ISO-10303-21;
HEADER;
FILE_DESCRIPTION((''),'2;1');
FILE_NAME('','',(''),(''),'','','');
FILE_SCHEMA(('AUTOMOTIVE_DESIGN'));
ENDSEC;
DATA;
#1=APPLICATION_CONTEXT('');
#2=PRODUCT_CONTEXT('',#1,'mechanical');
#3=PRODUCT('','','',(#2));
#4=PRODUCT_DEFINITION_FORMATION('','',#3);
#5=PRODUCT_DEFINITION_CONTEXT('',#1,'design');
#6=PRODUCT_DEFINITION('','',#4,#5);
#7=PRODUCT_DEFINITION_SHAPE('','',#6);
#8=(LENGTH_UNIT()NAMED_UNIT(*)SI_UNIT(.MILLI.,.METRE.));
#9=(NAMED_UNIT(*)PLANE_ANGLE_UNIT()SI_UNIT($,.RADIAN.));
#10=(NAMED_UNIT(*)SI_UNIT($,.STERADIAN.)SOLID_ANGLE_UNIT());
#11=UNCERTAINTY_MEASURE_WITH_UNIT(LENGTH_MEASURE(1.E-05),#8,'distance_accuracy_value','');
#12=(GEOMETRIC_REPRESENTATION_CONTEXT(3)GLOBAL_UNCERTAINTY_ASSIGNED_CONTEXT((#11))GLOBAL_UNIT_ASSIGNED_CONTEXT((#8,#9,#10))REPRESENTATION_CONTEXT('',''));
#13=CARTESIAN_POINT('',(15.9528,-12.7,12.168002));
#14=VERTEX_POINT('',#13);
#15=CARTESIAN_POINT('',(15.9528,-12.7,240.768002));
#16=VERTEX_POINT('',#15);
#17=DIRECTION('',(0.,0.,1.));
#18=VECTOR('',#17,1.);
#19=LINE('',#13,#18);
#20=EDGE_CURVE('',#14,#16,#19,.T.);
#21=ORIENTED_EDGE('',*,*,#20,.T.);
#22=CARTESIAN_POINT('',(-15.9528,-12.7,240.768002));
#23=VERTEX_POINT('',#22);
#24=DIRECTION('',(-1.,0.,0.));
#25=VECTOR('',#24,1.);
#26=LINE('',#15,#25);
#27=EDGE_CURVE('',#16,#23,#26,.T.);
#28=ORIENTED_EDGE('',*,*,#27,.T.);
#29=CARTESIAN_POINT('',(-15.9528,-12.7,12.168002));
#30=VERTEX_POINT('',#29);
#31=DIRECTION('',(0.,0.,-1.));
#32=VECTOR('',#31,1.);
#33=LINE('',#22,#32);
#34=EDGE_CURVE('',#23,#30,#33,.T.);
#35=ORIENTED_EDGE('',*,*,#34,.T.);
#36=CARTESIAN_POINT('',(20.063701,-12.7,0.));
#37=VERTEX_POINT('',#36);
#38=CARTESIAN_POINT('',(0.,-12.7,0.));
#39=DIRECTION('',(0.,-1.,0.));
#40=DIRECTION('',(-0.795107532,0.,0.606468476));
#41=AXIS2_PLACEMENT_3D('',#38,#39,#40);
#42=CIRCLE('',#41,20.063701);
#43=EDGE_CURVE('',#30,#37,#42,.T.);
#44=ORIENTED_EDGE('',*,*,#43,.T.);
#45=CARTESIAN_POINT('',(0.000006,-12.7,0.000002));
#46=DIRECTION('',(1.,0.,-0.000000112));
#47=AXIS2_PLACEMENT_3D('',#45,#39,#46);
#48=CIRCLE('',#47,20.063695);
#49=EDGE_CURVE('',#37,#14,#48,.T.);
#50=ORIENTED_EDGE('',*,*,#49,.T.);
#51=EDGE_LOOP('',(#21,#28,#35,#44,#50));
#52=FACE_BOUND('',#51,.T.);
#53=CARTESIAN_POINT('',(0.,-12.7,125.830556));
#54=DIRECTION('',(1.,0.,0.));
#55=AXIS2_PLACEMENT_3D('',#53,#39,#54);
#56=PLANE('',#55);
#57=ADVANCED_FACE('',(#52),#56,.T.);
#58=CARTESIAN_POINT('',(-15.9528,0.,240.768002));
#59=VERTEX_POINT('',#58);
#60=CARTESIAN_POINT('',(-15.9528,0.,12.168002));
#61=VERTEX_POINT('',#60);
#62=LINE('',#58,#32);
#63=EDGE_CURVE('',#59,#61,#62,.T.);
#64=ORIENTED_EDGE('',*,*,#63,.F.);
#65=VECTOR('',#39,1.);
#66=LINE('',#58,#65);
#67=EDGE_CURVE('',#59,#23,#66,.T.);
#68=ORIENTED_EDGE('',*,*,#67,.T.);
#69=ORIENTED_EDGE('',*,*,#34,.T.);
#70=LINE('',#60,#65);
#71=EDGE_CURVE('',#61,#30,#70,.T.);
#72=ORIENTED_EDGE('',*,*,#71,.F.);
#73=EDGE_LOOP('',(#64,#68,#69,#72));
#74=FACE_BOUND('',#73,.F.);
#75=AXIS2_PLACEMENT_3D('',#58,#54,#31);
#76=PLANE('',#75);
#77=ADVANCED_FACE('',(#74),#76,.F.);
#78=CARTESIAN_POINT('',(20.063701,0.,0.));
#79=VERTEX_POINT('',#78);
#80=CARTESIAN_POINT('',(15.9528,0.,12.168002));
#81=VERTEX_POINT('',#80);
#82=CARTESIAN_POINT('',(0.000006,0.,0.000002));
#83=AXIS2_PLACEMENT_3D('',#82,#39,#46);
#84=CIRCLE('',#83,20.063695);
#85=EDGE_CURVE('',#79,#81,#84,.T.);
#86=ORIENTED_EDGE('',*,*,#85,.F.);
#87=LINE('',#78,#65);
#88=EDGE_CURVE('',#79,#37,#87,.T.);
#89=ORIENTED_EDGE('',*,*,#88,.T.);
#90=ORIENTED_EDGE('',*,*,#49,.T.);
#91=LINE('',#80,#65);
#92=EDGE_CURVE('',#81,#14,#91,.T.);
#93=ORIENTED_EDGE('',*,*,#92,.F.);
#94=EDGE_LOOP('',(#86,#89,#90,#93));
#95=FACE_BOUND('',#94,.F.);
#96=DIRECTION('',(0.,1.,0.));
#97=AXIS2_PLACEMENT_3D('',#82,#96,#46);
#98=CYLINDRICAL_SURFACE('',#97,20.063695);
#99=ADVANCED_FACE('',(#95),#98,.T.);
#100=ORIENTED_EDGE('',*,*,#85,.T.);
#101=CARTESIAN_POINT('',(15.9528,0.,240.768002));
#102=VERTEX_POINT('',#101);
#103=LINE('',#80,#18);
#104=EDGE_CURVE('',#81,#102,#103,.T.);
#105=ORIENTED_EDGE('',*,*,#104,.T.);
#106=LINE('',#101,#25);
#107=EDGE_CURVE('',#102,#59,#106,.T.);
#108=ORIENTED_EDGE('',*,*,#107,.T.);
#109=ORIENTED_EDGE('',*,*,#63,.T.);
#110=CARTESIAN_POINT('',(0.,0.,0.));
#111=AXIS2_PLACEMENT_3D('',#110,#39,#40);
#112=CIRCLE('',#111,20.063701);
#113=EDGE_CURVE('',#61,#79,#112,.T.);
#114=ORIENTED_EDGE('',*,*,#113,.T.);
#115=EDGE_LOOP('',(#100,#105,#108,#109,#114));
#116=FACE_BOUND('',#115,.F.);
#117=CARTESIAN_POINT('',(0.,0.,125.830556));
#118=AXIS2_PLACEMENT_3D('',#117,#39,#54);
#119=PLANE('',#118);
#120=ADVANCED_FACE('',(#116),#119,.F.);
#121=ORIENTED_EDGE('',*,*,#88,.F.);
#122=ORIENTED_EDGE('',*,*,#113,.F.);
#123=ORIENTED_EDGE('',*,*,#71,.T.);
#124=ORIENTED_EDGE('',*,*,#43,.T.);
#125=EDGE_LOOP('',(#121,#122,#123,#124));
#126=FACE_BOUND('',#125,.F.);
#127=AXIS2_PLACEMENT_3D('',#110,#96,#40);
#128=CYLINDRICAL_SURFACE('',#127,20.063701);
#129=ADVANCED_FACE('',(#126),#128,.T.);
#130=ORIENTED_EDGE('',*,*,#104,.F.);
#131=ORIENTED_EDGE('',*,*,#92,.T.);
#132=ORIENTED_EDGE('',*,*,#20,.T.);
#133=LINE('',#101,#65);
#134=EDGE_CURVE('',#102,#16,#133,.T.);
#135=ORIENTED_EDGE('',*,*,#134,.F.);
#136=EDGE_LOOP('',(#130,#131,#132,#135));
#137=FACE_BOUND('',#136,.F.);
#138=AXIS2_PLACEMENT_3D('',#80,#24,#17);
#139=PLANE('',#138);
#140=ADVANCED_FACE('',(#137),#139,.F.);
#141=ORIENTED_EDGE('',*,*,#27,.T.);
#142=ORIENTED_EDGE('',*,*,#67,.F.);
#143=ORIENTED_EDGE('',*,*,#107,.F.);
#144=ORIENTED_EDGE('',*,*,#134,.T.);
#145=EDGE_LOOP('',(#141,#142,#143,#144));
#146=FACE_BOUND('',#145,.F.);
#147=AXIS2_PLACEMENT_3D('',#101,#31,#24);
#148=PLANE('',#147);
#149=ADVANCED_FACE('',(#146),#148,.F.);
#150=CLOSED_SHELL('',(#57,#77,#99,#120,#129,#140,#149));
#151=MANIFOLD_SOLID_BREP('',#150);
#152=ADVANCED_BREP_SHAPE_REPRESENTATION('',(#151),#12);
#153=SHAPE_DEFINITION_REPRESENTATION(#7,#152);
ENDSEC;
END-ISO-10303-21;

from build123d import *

# Parameters (mm, degrees)
F1_DEPTH = 12.7


with BuildPart() as f1:
    # F0 (on Front) → F1 (new body)
    with BuildSketch(Plane.XZ):
        with BuildLine():
            ThreePointArc((-15.9528, 12.168002), (0, 20.063701), (15.9528, 12.168002))
            Line((15.9528, 12.168002), (15.9528, 240.768002))
            Line((15.9528, 240.768002), (-15.9528, 240.768002))
            Line((-15.9528, 240.768002), (-15.9528, 12.168002))
        make_face()
        with BuildLine():
            Line((-15.9528, 12.168002), (15.9528, 12.168002))
            ThreePointArc((15.9528, 12.168002), (0, 20.063701), (-15.9528, 12.168002))
        make_face()
        with BuildLine():
            ThreePointArc((-15.9528, 12.168002), (-6.421834, -19.008213), (20.063701, 0))
            ThreePointArc((20.063701, 0), (19.008213, 6.421834), (15.9528, 12.168002))
            Line((15.9528, 12.168002), (-15.9528, 12.168002))
        make_face()
    extrude(amount=F1_DEPTH)


solid = f1.part
